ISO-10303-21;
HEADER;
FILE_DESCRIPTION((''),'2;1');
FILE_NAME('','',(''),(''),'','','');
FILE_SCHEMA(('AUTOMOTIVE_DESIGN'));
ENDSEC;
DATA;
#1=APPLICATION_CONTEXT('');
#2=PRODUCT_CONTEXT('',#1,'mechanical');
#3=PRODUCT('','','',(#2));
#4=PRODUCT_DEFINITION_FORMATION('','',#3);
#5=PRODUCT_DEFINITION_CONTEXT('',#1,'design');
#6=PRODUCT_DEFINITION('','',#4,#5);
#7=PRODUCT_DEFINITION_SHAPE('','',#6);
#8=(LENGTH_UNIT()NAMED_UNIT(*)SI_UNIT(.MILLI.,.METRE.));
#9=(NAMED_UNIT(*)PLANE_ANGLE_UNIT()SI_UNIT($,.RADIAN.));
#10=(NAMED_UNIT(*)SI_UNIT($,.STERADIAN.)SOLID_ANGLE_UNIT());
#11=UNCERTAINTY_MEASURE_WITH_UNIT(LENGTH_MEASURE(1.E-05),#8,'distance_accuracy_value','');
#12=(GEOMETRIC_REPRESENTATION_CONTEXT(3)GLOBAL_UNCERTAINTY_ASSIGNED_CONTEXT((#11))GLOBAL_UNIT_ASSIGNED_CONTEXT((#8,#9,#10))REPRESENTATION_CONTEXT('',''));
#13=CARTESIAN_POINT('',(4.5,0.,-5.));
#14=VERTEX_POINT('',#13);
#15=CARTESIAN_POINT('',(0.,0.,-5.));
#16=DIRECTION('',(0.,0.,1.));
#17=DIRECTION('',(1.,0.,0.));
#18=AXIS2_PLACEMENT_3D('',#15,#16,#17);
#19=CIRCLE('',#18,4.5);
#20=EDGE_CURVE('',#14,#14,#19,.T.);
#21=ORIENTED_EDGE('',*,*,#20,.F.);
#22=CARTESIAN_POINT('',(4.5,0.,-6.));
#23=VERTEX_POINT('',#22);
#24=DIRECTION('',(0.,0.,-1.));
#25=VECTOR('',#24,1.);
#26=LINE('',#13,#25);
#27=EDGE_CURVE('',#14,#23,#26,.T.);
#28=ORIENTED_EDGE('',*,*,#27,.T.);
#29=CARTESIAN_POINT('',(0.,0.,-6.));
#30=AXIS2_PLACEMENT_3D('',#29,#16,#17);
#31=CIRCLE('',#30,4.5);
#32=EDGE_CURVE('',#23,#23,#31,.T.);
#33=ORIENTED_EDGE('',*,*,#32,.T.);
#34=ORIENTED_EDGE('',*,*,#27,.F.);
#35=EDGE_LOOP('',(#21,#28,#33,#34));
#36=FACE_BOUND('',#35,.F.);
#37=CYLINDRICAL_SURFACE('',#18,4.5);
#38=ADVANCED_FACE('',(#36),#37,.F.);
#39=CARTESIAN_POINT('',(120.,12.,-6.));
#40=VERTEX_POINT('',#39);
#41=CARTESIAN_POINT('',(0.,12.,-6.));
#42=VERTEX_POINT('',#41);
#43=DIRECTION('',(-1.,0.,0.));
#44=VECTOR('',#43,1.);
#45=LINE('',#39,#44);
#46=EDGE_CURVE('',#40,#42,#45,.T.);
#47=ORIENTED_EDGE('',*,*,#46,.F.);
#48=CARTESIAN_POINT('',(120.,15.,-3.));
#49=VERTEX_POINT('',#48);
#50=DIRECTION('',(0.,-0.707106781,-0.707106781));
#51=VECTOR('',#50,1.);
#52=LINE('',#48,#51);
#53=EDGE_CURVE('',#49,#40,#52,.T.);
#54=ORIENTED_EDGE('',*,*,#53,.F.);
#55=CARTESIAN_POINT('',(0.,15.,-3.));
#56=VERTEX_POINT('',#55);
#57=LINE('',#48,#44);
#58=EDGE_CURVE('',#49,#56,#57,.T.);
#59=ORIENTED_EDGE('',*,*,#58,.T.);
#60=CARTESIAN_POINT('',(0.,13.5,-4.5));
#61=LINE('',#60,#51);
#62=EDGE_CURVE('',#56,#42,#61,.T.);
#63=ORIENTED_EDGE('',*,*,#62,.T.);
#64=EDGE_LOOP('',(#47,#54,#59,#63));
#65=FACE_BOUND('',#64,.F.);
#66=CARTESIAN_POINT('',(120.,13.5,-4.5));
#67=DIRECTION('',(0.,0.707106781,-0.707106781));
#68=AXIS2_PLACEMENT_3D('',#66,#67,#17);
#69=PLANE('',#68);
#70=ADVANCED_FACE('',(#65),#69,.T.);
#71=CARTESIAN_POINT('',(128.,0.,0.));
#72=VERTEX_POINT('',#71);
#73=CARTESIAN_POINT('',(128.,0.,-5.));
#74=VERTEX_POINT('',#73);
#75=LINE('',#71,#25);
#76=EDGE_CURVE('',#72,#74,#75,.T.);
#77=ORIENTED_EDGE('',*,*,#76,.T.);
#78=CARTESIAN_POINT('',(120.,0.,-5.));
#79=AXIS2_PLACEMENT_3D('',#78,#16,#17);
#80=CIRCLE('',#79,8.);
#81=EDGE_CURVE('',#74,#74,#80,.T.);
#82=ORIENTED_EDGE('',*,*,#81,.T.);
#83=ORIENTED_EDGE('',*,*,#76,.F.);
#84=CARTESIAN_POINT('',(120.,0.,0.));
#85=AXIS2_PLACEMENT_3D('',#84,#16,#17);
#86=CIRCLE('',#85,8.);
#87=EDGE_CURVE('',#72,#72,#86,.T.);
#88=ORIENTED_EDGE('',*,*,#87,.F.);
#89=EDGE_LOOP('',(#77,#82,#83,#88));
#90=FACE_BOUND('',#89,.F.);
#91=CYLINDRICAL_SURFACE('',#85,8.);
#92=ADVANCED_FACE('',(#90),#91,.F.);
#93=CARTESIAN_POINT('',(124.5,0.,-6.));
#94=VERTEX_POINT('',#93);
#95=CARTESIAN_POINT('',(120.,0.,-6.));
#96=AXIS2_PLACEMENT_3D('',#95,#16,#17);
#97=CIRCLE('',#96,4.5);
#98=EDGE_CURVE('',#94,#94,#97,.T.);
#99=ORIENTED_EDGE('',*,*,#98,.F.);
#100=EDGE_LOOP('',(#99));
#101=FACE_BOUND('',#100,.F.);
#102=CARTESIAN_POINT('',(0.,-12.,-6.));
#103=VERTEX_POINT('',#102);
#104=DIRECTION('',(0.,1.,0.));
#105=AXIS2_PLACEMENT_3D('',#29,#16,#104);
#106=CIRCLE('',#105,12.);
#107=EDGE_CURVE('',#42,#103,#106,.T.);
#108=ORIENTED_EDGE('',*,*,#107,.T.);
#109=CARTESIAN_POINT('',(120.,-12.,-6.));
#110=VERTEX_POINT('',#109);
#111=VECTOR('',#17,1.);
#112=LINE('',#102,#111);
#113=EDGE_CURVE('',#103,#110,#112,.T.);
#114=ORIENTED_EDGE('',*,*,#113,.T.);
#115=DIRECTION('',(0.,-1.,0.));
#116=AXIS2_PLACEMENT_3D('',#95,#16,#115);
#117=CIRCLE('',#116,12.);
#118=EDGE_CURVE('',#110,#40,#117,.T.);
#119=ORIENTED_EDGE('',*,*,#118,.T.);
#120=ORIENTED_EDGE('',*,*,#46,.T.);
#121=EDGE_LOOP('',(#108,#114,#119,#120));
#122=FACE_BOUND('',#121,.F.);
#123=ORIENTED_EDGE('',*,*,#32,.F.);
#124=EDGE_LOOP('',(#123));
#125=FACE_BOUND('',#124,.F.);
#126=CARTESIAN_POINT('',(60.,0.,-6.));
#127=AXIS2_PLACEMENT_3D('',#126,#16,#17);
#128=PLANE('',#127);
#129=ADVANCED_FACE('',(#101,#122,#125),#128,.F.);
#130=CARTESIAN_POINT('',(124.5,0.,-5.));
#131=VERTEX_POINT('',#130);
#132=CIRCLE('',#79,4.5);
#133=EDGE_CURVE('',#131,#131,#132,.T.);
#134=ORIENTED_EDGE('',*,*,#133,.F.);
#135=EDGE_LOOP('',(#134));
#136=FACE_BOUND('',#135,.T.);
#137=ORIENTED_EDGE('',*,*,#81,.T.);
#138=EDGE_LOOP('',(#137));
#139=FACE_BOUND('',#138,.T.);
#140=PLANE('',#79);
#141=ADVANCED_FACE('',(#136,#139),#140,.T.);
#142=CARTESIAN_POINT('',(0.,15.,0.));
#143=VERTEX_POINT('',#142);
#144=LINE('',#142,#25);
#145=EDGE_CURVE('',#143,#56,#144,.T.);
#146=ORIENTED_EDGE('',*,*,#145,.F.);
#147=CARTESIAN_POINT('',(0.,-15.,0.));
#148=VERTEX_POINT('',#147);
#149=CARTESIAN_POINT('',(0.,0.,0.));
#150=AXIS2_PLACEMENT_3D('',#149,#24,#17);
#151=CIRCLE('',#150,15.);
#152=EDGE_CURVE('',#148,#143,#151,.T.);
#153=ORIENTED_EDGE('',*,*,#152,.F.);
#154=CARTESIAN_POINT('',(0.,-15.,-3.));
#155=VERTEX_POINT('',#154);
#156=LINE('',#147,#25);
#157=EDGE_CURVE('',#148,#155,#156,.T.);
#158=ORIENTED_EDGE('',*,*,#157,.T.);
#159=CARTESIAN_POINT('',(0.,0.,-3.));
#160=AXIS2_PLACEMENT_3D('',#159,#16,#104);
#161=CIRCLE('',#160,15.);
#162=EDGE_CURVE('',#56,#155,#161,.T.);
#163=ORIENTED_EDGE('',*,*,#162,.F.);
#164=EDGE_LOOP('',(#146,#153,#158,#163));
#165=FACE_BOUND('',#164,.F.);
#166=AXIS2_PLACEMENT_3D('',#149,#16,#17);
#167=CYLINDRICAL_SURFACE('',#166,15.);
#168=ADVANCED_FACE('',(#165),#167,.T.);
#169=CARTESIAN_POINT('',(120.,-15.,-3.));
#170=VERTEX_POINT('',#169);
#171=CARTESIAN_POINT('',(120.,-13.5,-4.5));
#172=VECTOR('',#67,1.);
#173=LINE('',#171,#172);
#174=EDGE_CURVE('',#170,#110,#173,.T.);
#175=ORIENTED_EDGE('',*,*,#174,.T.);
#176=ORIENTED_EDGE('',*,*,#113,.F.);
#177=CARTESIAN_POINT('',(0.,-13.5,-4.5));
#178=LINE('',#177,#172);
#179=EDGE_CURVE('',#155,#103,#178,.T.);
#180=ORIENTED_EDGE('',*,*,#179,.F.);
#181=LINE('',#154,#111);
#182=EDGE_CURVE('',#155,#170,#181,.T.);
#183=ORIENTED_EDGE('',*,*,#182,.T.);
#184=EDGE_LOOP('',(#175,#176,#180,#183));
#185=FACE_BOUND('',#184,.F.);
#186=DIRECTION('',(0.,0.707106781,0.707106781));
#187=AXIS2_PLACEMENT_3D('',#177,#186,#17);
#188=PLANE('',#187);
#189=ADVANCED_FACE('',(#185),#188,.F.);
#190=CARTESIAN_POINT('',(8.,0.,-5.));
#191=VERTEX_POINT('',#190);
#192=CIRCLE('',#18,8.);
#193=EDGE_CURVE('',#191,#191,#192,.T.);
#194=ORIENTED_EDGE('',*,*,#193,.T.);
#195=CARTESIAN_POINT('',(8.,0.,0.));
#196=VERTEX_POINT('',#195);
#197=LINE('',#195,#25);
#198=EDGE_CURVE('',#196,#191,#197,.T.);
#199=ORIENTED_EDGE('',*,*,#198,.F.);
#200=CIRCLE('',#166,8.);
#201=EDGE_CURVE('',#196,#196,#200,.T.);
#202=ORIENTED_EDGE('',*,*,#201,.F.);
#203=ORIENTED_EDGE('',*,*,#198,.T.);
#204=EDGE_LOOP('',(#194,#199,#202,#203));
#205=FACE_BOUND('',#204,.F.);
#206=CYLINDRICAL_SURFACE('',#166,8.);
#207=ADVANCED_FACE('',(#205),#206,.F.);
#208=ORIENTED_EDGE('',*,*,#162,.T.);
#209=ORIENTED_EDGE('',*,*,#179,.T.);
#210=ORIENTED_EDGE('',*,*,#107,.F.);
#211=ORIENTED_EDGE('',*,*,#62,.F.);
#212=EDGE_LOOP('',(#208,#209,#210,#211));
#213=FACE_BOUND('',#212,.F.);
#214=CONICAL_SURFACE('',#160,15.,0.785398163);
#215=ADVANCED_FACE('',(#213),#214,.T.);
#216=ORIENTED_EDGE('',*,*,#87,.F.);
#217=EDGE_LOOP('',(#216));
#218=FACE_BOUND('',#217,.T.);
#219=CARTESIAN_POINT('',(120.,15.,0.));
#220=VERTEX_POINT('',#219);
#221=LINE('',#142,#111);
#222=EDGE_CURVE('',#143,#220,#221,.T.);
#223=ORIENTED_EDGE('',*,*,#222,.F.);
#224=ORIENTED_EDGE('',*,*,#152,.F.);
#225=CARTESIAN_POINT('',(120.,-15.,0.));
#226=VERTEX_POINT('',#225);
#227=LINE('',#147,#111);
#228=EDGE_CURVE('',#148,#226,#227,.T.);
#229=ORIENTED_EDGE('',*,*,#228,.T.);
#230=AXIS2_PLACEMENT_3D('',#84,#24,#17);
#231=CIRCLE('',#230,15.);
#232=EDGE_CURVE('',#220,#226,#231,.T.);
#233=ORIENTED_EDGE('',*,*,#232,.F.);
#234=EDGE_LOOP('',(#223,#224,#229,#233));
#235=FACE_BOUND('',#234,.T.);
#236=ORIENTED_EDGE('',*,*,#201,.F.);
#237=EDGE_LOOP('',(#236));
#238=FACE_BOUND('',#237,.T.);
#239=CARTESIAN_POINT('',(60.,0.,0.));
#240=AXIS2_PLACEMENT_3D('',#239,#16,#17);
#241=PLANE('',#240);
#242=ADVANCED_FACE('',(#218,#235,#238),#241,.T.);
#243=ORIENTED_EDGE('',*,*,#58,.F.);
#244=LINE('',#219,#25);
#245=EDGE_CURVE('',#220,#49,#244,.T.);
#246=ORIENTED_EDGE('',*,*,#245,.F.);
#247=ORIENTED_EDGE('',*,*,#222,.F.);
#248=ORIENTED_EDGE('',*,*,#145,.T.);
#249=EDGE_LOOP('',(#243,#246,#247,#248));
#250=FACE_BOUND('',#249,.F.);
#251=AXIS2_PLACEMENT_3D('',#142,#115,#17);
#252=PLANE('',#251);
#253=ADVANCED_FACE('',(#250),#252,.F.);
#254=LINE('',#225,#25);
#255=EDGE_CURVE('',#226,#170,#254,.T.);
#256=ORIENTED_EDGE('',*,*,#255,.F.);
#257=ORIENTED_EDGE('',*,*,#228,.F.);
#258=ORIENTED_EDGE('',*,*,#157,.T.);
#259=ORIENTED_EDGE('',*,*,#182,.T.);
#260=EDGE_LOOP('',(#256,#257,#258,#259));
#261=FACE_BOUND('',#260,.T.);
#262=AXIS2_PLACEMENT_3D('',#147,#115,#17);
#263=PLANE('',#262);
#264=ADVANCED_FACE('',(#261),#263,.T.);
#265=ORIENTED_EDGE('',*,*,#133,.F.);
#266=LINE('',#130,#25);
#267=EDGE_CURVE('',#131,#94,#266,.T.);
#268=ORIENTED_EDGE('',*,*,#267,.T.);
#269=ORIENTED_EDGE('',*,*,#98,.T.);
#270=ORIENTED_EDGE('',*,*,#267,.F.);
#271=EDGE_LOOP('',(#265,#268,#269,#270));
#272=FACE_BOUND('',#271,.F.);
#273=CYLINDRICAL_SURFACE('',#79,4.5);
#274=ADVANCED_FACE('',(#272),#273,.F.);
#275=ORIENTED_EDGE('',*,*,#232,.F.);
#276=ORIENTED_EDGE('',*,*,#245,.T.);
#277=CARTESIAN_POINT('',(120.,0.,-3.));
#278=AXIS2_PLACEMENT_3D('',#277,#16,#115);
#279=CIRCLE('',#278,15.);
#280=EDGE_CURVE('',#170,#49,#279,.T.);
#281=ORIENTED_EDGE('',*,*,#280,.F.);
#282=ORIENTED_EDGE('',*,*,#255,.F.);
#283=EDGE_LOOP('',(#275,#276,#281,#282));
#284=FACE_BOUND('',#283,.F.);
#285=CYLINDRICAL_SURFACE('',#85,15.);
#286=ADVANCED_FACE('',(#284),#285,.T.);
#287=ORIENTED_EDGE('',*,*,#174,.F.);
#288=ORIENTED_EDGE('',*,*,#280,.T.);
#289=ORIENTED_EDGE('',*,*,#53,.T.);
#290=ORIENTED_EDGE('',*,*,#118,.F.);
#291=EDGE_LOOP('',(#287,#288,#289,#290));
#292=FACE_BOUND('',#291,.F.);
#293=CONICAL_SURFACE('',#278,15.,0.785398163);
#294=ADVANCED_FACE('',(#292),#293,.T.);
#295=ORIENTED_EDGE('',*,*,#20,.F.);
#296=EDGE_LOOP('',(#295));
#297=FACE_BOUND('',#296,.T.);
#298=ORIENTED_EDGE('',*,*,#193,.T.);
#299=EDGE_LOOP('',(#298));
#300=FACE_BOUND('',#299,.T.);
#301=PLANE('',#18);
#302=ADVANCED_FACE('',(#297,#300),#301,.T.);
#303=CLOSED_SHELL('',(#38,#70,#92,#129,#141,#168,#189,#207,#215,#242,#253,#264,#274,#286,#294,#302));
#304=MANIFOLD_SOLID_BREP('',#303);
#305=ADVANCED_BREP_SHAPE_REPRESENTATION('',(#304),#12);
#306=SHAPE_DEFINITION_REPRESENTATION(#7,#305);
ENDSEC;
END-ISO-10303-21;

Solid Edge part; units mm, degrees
sketch "Sketch1" plane through (0, 0, 0) normal (0, 0, 1) x (1, 0, 0)
  line L0 (0, -15) -> (120, -15)
  line L1 (0, 15) -> (120, 15)
  arc A0 (120, 15) -> (120, -15) centre (120, 0) cw
  arc A1 (0, -15) -> (0, 15) centre (0, 0) cw
extrude "Protrusion1" add sketch "Sketch1" against normal blind 6
sketch "Sketch2" plane through (0, 0, 0) normal (0, 0, 1) x (1, 0, 0)
  circle A0 centre (0, 0) radius 8
  circle A1 centre (120, 0) radius 8
  dimension "D1" = 16
  dimension "D2" = 30
  dimension "D3" = 30
  dimension "D4" = 16
  dimension "D5" = 120
extrude "VaciadoExtruido_1" cut sketch "Sketch2" against normal blind 5
sketch "Sketch3" plane through (0, 0, -5) normal (0, 0, 1) x (1, 0, 0)
  circle A0 centre (0, 0) radius 4.5
  circle A1 centre (120, 0) radius 4.5
  dimension "D1" = 9
extrude "Cutout1" cut sketch "Sketch3" against normal through all
chamfer "Chaflán_1" distance 3 angle 45 4 edges at (60, -15, -6) (135, 0, -6) (60, 15, -6) (-15, 0, -6)
